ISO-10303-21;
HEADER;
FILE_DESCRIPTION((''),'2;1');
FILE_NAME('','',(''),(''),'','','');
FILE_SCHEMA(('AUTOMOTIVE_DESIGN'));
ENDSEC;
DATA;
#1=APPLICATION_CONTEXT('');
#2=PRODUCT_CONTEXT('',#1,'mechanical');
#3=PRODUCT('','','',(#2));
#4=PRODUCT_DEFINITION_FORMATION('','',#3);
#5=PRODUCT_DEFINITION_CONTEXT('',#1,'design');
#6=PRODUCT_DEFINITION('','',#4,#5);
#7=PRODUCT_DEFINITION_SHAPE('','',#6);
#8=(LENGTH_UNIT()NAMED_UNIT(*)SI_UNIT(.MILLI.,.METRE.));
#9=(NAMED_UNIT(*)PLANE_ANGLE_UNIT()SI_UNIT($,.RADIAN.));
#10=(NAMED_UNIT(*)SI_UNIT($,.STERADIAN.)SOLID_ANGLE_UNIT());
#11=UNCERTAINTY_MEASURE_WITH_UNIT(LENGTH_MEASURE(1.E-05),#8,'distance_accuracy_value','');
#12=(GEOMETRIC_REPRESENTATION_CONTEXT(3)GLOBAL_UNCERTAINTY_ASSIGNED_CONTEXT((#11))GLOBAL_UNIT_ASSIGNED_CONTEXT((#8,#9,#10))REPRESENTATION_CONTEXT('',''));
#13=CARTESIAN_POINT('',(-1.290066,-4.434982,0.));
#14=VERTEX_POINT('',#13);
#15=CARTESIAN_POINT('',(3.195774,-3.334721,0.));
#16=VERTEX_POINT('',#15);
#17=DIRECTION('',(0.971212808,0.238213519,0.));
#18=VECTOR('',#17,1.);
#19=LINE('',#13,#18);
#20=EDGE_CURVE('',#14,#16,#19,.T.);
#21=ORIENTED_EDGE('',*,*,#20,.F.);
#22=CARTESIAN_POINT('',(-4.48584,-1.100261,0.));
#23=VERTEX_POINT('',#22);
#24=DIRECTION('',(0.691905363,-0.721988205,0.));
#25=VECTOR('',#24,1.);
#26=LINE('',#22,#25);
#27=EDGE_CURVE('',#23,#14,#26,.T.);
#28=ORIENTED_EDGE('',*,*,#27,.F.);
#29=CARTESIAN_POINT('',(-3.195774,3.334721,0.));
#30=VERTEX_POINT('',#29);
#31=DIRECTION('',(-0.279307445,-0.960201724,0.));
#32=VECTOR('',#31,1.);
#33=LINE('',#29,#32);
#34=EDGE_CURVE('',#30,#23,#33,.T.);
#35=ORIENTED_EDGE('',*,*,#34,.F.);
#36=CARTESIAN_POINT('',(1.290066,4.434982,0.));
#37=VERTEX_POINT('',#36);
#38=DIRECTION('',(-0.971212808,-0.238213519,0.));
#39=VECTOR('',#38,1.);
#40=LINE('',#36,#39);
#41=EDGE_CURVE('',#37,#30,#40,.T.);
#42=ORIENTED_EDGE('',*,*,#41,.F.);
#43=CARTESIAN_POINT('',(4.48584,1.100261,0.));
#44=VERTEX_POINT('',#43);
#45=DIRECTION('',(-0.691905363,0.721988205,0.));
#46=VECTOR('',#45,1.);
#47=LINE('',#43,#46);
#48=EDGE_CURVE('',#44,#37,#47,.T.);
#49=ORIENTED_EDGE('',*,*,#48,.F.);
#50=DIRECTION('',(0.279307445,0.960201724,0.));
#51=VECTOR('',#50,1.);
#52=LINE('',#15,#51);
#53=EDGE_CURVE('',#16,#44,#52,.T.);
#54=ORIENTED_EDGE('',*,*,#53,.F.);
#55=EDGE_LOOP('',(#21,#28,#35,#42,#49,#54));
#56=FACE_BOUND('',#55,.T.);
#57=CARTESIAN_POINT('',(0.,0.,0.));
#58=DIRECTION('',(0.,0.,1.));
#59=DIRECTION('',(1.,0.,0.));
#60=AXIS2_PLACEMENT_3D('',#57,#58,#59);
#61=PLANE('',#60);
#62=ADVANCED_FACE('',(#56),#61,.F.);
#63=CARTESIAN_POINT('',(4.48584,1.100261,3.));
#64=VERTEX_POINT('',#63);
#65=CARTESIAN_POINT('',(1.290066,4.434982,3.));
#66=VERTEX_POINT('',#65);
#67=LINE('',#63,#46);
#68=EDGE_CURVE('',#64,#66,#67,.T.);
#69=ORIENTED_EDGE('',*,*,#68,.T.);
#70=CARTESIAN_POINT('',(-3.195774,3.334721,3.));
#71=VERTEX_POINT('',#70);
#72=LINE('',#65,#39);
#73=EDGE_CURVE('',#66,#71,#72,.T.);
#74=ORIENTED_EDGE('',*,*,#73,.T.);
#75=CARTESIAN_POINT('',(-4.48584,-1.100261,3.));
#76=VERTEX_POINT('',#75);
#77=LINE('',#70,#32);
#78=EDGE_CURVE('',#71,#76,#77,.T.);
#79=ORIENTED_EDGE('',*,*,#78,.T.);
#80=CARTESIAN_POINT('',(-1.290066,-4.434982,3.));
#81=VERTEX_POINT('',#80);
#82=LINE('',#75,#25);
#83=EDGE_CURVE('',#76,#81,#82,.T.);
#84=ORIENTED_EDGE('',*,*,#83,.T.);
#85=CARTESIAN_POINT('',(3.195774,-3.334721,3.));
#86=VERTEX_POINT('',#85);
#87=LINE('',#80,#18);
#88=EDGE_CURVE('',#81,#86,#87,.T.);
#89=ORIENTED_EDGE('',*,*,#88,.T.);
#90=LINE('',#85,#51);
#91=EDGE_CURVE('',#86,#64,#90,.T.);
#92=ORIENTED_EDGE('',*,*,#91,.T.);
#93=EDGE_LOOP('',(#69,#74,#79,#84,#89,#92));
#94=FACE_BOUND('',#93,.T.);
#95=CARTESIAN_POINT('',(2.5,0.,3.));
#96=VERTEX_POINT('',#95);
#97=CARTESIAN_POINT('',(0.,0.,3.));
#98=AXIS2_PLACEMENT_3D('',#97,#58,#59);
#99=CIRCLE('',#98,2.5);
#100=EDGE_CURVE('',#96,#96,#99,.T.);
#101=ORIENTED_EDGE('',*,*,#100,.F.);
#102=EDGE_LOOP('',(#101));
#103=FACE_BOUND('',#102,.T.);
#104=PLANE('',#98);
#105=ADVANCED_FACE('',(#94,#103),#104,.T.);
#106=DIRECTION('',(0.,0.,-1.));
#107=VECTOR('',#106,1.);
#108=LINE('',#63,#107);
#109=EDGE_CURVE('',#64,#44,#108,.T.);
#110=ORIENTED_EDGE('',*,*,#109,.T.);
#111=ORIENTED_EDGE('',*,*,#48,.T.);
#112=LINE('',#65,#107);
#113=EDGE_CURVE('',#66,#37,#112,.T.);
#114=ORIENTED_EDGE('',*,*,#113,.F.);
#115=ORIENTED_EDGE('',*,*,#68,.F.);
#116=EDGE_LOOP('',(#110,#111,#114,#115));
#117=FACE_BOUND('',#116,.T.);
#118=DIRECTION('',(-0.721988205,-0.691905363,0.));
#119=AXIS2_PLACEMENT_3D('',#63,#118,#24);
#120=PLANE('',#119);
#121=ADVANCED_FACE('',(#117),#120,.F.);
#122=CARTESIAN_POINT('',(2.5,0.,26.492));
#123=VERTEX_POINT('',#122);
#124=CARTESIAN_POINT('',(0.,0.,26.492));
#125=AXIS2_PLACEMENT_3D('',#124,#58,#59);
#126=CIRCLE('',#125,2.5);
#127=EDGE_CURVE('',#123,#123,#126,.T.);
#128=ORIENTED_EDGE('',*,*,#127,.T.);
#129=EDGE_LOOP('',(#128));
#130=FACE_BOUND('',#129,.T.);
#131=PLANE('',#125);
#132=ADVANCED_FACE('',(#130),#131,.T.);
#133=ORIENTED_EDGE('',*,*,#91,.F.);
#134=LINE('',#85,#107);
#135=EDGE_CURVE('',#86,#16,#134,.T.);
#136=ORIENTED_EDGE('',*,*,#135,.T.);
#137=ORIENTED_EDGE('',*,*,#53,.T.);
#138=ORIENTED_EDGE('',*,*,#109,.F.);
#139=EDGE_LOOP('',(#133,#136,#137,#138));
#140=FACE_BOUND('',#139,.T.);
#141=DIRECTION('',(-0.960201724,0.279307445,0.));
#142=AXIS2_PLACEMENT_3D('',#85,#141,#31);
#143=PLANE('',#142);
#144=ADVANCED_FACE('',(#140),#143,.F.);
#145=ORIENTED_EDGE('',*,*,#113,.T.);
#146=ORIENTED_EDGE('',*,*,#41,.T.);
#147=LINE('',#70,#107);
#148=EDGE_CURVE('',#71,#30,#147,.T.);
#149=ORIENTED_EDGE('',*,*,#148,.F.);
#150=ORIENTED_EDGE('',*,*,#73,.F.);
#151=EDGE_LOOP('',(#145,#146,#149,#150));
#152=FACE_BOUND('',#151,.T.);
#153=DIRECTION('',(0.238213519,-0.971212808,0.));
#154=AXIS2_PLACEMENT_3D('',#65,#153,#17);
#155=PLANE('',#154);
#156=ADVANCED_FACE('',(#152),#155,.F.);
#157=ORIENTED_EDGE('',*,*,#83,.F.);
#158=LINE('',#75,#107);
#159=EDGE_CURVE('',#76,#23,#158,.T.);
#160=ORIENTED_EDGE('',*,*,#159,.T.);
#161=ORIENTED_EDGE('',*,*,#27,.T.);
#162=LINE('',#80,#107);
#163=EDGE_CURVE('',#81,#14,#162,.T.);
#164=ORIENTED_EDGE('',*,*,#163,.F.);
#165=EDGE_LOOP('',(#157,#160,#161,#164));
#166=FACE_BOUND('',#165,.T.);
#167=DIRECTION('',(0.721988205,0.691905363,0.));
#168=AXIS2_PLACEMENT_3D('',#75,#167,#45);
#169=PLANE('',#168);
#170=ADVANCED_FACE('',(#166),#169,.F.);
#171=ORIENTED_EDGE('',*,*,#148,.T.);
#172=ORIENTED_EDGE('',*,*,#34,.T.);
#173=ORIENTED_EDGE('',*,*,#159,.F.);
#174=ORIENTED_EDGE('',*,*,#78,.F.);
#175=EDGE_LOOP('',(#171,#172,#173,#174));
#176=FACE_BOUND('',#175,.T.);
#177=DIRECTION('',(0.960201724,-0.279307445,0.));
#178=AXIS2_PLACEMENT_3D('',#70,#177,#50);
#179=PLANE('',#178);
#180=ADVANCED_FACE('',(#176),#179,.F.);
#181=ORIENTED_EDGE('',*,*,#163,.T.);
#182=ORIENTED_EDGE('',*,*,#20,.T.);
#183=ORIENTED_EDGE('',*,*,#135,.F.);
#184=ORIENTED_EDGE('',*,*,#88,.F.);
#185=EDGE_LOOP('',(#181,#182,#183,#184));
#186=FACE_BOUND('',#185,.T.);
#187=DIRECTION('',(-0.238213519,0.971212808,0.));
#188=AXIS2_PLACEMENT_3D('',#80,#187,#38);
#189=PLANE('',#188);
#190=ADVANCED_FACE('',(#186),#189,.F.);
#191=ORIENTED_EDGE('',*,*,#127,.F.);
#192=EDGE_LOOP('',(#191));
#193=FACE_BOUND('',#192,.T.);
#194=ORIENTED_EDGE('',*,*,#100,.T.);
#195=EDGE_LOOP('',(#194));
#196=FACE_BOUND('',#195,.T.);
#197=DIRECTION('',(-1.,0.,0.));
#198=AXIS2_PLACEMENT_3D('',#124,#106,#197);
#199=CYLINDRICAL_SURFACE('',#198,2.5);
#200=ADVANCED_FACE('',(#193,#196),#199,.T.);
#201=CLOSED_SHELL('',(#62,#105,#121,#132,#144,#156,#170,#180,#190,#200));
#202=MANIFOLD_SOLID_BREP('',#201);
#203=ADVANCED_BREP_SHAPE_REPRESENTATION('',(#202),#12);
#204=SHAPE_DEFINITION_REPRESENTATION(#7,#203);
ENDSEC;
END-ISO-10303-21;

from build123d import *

# Parameters (mm, degrees)
BOSS_EXTRUDE1_DEPTH = 3
SKETCH2_R           = 2.5
BOSS_EXTRUDE2_DEPTH = 23.492


with BuildPart() as part:
    # Sketch1 → Boss-Extrude1 (new body)
    with BuildSketch(Plane.XY):
        Polygon((-3.195773982, 3.334720677), (-4.485839811, -1.100261115), (-1.29006583, -4.434981791), (3.195773982, -3.334720677), (4.485839811, 1.100261115), (1.29006583, 4.434981791), align=None)
    extrude(amount=BOSS_EXTRUDE1_DEPTH)

    # Sketch2 → Boss-Extrude2 (add)
    with BuildSketch(Plane.XY.offset(3)):
        Circle(SKETCH2_R)
    extrude(amount=BOSS_EXTRUDE2_DEPTH)


solid = part.part
